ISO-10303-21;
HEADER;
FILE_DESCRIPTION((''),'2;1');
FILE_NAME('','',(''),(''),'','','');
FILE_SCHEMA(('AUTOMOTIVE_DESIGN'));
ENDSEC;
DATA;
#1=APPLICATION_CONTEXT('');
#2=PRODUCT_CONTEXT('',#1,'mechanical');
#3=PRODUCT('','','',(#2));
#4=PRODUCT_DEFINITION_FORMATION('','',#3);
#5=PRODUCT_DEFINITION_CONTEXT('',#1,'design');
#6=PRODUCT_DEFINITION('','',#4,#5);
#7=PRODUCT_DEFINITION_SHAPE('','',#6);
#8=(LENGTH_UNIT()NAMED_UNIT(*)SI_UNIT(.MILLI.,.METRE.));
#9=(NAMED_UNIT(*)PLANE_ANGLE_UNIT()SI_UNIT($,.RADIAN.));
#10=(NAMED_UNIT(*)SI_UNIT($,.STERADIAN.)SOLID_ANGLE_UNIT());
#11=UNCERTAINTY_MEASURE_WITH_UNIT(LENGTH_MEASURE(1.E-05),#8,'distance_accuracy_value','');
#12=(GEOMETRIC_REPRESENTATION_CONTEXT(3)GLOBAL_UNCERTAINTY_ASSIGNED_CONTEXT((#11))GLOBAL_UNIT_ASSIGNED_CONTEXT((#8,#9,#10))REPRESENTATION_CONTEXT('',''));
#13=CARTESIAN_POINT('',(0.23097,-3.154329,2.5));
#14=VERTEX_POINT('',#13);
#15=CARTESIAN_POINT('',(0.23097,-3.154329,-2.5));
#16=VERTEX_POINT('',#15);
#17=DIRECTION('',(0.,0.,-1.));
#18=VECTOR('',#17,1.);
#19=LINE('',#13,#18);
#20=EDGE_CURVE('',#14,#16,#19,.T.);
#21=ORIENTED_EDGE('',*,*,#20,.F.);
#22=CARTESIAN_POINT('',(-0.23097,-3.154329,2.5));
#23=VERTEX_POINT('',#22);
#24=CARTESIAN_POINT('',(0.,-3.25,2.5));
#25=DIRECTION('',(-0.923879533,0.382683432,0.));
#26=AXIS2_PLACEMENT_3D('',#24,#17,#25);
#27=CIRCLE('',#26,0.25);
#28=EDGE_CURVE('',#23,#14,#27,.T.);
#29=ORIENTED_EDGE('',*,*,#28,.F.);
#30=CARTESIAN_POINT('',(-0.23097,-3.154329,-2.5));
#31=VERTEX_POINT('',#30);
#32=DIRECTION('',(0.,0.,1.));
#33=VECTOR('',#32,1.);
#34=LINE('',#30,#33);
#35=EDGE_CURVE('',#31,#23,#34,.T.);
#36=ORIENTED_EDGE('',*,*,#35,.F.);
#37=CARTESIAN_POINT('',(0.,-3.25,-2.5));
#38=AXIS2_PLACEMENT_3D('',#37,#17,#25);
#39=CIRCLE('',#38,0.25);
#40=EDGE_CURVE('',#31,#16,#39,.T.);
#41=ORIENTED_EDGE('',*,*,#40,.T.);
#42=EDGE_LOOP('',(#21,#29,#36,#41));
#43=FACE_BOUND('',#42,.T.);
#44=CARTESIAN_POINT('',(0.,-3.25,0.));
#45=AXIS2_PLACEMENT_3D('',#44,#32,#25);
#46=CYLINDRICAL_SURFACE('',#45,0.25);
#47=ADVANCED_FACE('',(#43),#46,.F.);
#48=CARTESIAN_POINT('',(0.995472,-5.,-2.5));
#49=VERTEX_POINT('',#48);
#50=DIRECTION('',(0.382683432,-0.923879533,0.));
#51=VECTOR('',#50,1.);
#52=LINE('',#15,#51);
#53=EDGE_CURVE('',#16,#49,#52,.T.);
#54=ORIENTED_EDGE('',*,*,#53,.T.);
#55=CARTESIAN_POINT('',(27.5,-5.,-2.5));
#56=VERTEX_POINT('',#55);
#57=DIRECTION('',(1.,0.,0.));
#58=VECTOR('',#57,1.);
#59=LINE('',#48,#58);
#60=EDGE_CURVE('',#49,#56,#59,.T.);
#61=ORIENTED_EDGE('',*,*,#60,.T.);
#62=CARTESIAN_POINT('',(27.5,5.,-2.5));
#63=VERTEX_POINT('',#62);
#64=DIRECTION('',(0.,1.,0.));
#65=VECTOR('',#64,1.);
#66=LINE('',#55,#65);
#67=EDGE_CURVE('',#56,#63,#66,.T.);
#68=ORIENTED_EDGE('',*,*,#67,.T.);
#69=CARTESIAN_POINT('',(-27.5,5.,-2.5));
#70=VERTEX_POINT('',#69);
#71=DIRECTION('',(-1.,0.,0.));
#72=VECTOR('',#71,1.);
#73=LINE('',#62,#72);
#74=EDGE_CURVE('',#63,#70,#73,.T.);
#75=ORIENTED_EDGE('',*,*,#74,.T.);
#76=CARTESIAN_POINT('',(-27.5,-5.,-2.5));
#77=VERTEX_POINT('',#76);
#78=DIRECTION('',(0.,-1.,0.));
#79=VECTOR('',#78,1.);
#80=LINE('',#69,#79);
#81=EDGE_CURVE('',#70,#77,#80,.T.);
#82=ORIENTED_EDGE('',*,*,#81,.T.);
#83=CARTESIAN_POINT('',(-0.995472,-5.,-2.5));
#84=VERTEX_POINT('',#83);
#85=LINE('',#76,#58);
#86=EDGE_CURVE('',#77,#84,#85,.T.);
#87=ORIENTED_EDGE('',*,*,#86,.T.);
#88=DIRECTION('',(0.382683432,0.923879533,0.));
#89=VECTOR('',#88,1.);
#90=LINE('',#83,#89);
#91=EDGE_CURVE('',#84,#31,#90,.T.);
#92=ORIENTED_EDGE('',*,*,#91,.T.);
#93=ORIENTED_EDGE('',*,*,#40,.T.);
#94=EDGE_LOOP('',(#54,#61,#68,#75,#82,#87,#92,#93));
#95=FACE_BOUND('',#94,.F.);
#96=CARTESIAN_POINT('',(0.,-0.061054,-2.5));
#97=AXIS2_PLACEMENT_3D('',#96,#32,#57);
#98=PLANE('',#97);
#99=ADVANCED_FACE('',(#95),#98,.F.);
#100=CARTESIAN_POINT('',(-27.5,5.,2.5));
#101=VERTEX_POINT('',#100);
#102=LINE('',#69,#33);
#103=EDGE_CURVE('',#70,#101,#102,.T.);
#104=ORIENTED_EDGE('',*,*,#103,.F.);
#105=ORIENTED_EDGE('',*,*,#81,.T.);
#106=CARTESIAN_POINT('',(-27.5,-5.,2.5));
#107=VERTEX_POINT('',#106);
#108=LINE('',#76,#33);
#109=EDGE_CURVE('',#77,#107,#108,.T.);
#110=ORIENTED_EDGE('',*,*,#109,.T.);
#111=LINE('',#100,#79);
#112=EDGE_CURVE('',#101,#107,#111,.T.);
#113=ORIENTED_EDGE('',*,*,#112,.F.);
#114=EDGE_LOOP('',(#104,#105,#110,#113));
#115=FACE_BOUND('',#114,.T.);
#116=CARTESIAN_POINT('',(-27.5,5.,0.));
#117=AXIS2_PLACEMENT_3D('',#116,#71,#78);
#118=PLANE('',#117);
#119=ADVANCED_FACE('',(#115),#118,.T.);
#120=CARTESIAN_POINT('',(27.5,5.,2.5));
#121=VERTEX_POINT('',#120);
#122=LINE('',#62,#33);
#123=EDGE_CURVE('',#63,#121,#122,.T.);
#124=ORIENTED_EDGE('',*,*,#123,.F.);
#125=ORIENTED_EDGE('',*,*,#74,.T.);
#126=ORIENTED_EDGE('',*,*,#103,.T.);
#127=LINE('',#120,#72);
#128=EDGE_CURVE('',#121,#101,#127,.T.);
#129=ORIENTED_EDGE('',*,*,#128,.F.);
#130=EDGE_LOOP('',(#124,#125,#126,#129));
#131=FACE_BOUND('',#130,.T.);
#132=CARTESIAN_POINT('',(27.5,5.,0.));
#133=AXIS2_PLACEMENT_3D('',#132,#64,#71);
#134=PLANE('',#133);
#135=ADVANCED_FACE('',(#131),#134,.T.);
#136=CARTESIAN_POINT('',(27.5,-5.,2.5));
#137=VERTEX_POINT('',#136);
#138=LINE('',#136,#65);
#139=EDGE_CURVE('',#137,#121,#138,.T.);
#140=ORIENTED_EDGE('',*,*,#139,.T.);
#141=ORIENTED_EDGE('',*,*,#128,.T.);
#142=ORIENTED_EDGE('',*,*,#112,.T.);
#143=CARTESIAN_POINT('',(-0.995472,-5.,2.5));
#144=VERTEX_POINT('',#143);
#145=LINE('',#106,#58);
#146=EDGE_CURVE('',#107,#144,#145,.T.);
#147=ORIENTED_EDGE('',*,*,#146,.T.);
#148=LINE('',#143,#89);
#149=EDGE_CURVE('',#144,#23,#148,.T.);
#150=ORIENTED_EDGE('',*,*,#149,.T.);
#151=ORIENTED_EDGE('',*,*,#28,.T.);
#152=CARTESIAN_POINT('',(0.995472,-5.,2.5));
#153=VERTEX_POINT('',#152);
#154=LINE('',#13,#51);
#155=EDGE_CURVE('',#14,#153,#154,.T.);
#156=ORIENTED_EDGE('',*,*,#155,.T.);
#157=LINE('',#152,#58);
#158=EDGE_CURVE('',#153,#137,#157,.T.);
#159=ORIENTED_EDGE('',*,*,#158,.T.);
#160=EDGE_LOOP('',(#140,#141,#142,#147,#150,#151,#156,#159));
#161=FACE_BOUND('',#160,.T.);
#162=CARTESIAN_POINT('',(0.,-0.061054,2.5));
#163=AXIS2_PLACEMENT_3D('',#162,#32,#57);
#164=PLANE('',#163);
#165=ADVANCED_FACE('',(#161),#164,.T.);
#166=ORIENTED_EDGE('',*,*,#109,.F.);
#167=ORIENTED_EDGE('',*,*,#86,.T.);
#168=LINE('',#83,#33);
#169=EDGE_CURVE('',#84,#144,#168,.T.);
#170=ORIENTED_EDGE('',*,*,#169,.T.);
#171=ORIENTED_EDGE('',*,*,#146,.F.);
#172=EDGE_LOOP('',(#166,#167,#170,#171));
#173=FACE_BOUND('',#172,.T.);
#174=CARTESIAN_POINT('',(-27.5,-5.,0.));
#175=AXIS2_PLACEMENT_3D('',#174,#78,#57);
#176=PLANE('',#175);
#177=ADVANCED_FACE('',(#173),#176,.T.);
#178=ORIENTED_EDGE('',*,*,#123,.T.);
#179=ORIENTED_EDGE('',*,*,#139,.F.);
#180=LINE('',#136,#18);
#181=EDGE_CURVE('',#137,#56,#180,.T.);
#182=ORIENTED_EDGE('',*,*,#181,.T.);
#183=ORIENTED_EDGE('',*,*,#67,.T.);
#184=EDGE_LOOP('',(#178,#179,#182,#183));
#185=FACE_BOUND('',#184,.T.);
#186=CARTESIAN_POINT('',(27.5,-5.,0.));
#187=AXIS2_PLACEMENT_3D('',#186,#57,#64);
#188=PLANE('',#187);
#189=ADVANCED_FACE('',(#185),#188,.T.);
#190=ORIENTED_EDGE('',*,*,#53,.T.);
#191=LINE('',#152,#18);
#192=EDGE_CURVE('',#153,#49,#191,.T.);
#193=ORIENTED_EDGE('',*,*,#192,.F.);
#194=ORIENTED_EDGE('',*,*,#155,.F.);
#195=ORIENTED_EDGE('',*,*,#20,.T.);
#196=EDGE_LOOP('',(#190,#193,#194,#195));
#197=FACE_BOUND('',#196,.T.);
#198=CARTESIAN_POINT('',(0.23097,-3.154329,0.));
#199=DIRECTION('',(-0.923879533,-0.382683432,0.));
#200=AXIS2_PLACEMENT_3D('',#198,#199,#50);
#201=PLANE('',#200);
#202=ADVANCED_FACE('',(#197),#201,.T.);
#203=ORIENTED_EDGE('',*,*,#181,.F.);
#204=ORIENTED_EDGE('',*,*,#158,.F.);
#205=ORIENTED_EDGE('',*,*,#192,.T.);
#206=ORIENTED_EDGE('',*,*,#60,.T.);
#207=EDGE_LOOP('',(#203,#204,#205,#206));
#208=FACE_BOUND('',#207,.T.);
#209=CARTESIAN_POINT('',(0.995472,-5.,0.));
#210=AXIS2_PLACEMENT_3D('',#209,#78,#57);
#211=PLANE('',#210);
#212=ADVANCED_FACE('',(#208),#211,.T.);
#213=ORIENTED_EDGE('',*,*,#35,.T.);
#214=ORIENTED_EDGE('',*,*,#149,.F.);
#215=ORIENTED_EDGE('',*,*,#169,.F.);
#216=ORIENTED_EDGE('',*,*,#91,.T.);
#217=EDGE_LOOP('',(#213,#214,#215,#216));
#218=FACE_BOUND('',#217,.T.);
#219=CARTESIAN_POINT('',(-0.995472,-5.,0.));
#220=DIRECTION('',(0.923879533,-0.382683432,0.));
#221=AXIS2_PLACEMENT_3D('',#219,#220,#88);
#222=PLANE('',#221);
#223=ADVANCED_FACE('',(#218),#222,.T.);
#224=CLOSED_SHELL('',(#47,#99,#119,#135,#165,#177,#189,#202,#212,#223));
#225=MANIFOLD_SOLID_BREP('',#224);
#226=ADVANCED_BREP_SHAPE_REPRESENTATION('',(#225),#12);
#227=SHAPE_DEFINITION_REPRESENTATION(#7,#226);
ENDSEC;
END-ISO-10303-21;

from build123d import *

# Parameters (mm, degrees)
F1_DEPTH = 2.5


with BuildPart() as f1:
    # F0 (on Top) → F1 (new body, symmetric)
    with BuildSketch(Plane.XY):
        with BuildLine():
            Line((27.5, -5), (27.5, 5))
            Line((27.5, 5), (-27.5, 5))
            Line((-27.5, 5), (-27.5, -5))
            Line((-27.5, -5), (-0.9954717842, -5))
            Line((-0.9954717842, -5), (-0.2309698831, -3.1543291419))
            ThreePointArc((-0.2309698831, -3.1543291419), (0, -3), (0.2309698831, -3.1543291419))
            Line((0.2309698831, -3.1543291419), (0.9954717842, -5))
            Line((0.9954717842, -5), (27.5, -5))
        make_face()
    extrude(amount=F1_DEPTH, both=True)


solid = f1.part
